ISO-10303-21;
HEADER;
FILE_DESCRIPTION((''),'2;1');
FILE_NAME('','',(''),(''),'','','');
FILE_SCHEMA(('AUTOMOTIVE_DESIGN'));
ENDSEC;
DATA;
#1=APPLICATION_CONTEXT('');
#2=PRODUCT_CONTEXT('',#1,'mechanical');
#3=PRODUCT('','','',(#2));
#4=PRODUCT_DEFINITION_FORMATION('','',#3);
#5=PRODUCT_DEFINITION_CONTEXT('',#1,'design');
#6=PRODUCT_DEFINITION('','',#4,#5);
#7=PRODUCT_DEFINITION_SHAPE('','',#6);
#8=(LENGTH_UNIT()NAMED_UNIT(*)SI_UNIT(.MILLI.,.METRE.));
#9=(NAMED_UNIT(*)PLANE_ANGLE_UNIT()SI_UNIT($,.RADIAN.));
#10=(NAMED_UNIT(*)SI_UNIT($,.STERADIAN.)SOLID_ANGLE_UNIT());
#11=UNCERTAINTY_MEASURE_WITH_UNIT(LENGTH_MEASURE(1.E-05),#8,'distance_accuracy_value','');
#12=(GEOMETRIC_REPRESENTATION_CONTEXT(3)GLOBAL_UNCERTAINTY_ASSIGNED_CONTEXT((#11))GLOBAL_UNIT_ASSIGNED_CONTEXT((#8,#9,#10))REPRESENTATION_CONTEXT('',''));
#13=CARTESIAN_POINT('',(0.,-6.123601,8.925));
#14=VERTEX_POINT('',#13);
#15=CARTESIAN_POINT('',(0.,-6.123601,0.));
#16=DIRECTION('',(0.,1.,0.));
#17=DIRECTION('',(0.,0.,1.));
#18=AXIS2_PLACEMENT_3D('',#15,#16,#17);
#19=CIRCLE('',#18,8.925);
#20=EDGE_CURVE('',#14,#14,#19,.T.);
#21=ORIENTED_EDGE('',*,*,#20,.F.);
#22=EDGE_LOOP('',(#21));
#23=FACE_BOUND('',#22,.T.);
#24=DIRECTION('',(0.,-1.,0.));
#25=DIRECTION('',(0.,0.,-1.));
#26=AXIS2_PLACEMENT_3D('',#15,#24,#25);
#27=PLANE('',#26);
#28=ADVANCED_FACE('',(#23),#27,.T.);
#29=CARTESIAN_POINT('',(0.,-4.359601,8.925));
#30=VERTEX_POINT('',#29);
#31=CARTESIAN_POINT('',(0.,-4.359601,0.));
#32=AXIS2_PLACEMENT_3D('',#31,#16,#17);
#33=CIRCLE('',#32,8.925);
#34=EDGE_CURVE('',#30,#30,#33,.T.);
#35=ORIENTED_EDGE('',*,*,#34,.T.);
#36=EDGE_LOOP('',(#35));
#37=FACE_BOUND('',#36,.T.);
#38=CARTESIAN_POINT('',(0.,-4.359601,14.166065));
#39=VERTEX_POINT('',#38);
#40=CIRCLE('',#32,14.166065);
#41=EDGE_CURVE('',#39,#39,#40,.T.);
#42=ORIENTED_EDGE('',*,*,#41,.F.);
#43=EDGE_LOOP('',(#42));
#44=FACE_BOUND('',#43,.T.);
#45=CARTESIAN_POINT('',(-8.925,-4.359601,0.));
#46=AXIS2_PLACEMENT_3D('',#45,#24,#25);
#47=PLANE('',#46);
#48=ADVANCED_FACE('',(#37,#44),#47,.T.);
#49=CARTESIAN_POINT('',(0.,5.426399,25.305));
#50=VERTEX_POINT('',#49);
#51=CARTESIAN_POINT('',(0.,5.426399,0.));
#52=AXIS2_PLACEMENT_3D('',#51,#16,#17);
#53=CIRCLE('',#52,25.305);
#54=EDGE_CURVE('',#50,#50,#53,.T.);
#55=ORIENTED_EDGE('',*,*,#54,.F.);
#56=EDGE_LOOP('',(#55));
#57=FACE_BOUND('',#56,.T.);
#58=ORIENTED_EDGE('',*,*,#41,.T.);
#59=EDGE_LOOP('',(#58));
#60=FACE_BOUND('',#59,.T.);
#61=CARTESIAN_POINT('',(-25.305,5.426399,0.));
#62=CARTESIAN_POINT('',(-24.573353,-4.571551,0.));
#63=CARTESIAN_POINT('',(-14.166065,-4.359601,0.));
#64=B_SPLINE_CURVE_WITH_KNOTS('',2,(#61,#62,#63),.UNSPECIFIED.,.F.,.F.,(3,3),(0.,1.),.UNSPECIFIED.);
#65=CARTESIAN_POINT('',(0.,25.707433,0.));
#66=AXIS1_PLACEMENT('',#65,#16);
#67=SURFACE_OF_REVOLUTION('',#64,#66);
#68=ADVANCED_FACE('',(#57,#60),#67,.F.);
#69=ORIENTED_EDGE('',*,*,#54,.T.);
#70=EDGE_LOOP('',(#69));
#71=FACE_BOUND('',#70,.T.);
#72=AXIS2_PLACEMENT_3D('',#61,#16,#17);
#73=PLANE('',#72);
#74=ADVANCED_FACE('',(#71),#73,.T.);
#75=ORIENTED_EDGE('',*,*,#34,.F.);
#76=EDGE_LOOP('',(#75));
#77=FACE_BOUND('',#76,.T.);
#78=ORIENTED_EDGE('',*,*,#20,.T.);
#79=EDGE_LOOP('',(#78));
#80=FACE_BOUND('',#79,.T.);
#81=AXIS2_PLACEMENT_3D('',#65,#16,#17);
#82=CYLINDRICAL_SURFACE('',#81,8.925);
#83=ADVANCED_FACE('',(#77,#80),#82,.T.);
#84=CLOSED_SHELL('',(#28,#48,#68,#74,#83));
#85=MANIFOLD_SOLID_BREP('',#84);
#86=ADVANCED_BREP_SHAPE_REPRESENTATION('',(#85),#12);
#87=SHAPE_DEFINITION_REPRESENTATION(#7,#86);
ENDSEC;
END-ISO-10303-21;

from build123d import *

# Parameters (mm, degrees)
SCALE1_SCALE = 1.05


with BuildPart() as part:
    # Sketch1 → Revolve1 (revolve)
    with BuildSketch(Plane.XY, mode=Mode.PRIVATE) as revolve1_sk:
        with BuildLine():
            Line((-8.5, -4.112917186), (-13.491490452, -4.112917186))
            add(Edge.make_bspline(
                [(-24.1, 5.207082814), (-23.403193184, -4.314773899), (-13.491490452, -4.112917186)],
                knots=[0, 0, 0, 1, 1, 1], degree=2))
            Line((-24.1, 5.207082814), (0, 5.207082814))
            Line((0, 5.207082814), (0, -5.792917186))
            Line((0, -5.792917186), (-8.5, -5.792917186))
            Line((-8.5, -5.792917186), (-8.5, -4.112917186))
        make_face()
    revolve(revolve1_sk.sketch.rotate(Axis((0, 24.52235385, 0), (0, -1, 0)), 270), axis=Axis((0, 24.52235385, 0), (0, -1, 0)))


with BuildPart() as part_1:
    # Scale1: scaled about (0, 0.820760577, 0)
    add(part.part.scale(SCALE1_SCALE).moved(Location((0, -0.041038029, 0))))


solid = part_1.part
